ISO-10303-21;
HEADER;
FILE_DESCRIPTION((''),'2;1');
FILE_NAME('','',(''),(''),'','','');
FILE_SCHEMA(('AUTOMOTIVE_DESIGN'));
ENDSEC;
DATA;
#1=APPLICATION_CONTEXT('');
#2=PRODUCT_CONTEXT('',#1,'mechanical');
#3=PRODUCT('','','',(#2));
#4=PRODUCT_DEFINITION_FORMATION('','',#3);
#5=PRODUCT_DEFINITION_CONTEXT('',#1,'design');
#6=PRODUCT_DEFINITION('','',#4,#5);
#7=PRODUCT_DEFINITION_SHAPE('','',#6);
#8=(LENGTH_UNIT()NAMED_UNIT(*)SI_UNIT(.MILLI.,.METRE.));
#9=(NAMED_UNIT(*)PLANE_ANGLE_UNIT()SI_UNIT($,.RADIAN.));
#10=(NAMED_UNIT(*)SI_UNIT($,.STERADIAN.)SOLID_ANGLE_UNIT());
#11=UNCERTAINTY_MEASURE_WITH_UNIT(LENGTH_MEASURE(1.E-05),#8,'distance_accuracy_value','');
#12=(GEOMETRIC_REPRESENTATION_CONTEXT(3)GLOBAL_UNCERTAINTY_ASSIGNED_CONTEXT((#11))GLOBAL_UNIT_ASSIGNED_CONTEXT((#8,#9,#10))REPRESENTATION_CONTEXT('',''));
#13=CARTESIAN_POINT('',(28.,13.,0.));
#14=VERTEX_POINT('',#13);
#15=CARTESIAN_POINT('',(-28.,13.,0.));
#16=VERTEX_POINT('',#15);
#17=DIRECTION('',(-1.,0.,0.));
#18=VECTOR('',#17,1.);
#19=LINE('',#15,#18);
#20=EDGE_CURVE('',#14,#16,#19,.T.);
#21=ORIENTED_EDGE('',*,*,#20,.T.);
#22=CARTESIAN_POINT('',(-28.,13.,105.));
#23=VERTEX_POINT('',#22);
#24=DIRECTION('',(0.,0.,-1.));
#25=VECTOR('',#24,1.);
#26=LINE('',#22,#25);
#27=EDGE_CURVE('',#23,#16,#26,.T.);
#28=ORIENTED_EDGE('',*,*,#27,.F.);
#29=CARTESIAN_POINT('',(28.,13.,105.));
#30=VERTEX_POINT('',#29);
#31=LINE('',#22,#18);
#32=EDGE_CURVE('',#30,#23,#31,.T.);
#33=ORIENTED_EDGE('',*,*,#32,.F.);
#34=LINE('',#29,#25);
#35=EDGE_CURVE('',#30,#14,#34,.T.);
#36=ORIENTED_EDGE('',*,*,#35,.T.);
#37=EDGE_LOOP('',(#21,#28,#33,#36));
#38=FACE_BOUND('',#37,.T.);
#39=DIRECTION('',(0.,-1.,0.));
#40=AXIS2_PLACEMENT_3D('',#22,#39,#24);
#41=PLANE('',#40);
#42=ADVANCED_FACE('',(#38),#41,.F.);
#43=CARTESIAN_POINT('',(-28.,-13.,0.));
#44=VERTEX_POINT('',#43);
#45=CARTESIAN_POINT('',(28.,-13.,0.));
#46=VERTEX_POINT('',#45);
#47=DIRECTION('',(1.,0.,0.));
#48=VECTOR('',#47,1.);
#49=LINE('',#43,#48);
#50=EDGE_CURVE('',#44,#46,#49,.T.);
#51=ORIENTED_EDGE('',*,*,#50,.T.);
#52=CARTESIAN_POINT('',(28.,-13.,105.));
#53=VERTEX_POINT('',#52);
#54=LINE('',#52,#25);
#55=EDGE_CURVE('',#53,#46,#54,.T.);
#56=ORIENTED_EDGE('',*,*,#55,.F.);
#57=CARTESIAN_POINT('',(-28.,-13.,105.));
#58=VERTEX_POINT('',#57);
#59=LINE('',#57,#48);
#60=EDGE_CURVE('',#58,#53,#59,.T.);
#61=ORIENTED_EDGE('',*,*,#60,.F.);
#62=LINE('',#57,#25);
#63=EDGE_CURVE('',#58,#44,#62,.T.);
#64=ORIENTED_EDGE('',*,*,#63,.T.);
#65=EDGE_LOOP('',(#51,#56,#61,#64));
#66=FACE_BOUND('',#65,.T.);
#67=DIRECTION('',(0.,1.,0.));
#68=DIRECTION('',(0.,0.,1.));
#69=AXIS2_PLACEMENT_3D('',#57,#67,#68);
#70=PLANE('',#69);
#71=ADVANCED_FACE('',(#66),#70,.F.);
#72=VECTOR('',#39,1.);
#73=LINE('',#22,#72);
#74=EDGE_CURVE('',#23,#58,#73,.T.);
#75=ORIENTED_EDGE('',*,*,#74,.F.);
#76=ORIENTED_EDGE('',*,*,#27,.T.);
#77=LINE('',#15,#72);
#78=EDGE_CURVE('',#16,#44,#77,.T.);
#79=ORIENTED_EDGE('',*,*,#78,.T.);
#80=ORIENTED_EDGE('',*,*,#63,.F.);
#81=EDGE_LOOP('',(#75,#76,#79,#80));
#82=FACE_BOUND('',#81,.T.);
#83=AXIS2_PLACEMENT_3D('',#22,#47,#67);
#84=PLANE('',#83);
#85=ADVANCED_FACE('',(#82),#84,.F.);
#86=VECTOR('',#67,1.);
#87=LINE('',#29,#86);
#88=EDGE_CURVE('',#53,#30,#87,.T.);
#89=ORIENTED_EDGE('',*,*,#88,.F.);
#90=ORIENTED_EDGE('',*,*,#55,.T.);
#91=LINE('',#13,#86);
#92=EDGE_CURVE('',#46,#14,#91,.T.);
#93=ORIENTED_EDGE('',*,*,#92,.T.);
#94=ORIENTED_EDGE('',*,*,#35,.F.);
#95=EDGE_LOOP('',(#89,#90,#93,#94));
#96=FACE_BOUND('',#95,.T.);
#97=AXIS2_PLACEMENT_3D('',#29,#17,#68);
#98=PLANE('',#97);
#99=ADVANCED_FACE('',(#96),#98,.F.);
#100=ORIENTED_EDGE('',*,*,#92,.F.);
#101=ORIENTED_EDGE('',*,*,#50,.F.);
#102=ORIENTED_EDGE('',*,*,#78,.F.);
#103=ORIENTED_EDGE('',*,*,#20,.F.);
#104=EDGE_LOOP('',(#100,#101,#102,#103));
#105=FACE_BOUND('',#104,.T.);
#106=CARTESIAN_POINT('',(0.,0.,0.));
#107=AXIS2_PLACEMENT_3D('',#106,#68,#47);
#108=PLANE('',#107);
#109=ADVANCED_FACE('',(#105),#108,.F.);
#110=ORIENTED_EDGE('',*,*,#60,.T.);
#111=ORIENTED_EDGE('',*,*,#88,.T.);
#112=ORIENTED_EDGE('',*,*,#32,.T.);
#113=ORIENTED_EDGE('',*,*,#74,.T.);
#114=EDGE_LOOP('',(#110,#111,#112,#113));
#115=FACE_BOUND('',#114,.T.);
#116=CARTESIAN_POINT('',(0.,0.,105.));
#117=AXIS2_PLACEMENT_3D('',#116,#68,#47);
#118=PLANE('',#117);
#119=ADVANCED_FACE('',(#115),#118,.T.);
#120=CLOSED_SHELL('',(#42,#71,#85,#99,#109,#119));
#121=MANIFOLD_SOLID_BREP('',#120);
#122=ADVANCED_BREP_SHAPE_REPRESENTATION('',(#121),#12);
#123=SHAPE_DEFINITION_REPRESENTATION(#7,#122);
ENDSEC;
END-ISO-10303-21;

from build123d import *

# Parameters (mm, degrees)
IZIM1_W                     = 56
IZIM1_H                     = 26
Y_KSEKLIK_EKSTR_ZYON1_DEPTH = 105


with BuildPart() as part:
    # Çizim1 → Yükseklik-Ekstrüzyon1 (new body)
    with BuildSketch(Plane.XY):
        Rectangle(IZIM1_W, IZIM1_H)
    extrude(amount=Y_KSEKLIK_EKSTR_ZYON1_DEPTH)


solid = part.part
